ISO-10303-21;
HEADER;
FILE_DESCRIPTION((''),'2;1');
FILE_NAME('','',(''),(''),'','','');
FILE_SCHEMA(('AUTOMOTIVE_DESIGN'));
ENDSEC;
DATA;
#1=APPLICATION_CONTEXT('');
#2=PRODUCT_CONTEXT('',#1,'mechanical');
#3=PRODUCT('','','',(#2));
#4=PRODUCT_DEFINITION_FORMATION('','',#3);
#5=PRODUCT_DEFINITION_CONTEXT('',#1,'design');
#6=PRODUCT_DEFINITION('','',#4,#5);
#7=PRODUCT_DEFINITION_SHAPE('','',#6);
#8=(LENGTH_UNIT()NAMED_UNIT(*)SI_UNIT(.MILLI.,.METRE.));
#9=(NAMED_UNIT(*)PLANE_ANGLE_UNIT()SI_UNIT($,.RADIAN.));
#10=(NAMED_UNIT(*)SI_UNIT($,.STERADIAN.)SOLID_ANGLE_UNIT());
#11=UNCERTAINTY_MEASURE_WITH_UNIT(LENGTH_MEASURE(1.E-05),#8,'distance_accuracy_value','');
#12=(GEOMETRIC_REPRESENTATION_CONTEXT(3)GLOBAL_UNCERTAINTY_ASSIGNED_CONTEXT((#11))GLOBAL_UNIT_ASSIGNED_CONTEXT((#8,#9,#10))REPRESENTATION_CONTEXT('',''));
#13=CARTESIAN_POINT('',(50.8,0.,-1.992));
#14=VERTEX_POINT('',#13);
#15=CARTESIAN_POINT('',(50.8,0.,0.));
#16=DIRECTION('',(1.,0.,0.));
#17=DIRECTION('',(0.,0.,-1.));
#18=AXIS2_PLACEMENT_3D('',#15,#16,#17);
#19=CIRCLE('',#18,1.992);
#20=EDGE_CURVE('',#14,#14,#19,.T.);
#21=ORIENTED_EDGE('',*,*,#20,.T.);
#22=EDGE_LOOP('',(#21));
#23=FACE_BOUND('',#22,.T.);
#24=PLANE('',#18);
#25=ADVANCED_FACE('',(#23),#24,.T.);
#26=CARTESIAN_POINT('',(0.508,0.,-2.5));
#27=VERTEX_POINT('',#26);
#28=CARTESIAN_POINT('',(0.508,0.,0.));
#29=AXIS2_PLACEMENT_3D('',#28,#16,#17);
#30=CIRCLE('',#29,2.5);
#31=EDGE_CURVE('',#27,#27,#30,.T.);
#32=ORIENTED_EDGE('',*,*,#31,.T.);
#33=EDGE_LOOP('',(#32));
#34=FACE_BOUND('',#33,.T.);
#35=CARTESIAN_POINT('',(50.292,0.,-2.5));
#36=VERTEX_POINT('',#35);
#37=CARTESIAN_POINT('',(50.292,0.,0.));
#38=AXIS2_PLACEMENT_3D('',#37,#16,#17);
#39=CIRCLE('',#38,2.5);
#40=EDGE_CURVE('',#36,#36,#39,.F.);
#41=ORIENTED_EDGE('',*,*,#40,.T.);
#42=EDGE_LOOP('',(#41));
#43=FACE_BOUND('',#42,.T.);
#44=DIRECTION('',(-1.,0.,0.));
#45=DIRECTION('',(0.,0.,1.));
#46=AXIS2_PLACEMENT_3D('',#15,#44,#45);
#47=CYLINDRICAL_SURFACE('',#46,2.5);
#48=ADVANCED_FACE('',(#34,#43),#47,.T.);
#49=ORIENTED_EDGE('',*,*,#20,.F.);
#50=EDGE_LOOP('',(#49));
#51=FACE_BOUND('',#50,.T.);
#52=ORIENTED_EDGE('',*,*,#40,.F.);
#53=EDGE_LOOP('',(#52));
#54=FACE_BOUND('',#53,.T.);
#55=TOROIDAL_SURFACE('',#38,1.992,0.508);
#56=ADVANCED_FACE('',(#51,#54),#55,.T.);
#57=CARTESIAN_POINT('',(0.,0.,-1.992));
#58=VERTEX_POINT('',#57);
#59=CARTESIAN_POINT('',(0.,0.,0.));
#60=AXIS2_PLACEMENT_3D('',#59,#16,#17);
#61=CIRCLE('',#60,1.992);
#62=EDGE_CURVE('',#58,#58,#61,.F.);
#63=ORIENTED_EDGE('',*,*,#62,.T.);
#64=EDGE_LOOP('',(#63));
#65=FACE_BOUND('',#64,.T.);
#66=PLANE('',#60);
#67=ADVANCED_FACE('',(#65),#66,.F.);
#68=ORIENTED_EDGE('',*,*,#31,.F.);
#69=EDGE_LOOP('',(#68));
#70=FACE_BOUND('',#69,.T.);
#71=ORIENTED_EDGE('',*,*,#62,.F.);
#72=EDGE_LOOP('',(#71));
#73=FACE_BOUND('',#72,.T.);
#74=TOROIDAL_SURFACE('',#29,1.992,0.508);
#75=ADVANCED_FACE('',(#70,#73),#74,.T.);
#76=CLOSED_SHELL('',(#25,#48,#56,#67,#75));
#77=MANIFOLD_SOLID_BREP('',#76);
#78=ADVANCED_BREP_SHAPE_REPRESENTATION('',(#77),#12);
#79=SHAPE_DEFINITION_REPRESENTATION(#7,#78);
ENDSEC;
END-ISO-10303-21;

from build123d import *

# Parameters (mm, degrees)
SKETCH1_R           = 2.5
BOSS_EXTRUDE1_DEPTH = 50.8
FILLET1_R           = 0.508


with BuildPart() as part:
    # Sketch1 → Boss-Extrude1 (new body)
    with BuildSketch(Plane(origin=(0, 0, 0), x_dir=(0, 0, -1), z_dir=(1, 0, 0))):
        Circle(SKETCH1_R)
    extrude(amount=BOSS_EXTRUDE1_DEPTH)

    # Fillet1
    fillet1_edges = [part.edges().sort_by_distance(p)[0] for p in [
        (0, 0, 2.5),
        (50.8, 0, 2.5),
    ]]
    fillet(fillet1_edges, radius=FILLET1_R)


solid = part.part
